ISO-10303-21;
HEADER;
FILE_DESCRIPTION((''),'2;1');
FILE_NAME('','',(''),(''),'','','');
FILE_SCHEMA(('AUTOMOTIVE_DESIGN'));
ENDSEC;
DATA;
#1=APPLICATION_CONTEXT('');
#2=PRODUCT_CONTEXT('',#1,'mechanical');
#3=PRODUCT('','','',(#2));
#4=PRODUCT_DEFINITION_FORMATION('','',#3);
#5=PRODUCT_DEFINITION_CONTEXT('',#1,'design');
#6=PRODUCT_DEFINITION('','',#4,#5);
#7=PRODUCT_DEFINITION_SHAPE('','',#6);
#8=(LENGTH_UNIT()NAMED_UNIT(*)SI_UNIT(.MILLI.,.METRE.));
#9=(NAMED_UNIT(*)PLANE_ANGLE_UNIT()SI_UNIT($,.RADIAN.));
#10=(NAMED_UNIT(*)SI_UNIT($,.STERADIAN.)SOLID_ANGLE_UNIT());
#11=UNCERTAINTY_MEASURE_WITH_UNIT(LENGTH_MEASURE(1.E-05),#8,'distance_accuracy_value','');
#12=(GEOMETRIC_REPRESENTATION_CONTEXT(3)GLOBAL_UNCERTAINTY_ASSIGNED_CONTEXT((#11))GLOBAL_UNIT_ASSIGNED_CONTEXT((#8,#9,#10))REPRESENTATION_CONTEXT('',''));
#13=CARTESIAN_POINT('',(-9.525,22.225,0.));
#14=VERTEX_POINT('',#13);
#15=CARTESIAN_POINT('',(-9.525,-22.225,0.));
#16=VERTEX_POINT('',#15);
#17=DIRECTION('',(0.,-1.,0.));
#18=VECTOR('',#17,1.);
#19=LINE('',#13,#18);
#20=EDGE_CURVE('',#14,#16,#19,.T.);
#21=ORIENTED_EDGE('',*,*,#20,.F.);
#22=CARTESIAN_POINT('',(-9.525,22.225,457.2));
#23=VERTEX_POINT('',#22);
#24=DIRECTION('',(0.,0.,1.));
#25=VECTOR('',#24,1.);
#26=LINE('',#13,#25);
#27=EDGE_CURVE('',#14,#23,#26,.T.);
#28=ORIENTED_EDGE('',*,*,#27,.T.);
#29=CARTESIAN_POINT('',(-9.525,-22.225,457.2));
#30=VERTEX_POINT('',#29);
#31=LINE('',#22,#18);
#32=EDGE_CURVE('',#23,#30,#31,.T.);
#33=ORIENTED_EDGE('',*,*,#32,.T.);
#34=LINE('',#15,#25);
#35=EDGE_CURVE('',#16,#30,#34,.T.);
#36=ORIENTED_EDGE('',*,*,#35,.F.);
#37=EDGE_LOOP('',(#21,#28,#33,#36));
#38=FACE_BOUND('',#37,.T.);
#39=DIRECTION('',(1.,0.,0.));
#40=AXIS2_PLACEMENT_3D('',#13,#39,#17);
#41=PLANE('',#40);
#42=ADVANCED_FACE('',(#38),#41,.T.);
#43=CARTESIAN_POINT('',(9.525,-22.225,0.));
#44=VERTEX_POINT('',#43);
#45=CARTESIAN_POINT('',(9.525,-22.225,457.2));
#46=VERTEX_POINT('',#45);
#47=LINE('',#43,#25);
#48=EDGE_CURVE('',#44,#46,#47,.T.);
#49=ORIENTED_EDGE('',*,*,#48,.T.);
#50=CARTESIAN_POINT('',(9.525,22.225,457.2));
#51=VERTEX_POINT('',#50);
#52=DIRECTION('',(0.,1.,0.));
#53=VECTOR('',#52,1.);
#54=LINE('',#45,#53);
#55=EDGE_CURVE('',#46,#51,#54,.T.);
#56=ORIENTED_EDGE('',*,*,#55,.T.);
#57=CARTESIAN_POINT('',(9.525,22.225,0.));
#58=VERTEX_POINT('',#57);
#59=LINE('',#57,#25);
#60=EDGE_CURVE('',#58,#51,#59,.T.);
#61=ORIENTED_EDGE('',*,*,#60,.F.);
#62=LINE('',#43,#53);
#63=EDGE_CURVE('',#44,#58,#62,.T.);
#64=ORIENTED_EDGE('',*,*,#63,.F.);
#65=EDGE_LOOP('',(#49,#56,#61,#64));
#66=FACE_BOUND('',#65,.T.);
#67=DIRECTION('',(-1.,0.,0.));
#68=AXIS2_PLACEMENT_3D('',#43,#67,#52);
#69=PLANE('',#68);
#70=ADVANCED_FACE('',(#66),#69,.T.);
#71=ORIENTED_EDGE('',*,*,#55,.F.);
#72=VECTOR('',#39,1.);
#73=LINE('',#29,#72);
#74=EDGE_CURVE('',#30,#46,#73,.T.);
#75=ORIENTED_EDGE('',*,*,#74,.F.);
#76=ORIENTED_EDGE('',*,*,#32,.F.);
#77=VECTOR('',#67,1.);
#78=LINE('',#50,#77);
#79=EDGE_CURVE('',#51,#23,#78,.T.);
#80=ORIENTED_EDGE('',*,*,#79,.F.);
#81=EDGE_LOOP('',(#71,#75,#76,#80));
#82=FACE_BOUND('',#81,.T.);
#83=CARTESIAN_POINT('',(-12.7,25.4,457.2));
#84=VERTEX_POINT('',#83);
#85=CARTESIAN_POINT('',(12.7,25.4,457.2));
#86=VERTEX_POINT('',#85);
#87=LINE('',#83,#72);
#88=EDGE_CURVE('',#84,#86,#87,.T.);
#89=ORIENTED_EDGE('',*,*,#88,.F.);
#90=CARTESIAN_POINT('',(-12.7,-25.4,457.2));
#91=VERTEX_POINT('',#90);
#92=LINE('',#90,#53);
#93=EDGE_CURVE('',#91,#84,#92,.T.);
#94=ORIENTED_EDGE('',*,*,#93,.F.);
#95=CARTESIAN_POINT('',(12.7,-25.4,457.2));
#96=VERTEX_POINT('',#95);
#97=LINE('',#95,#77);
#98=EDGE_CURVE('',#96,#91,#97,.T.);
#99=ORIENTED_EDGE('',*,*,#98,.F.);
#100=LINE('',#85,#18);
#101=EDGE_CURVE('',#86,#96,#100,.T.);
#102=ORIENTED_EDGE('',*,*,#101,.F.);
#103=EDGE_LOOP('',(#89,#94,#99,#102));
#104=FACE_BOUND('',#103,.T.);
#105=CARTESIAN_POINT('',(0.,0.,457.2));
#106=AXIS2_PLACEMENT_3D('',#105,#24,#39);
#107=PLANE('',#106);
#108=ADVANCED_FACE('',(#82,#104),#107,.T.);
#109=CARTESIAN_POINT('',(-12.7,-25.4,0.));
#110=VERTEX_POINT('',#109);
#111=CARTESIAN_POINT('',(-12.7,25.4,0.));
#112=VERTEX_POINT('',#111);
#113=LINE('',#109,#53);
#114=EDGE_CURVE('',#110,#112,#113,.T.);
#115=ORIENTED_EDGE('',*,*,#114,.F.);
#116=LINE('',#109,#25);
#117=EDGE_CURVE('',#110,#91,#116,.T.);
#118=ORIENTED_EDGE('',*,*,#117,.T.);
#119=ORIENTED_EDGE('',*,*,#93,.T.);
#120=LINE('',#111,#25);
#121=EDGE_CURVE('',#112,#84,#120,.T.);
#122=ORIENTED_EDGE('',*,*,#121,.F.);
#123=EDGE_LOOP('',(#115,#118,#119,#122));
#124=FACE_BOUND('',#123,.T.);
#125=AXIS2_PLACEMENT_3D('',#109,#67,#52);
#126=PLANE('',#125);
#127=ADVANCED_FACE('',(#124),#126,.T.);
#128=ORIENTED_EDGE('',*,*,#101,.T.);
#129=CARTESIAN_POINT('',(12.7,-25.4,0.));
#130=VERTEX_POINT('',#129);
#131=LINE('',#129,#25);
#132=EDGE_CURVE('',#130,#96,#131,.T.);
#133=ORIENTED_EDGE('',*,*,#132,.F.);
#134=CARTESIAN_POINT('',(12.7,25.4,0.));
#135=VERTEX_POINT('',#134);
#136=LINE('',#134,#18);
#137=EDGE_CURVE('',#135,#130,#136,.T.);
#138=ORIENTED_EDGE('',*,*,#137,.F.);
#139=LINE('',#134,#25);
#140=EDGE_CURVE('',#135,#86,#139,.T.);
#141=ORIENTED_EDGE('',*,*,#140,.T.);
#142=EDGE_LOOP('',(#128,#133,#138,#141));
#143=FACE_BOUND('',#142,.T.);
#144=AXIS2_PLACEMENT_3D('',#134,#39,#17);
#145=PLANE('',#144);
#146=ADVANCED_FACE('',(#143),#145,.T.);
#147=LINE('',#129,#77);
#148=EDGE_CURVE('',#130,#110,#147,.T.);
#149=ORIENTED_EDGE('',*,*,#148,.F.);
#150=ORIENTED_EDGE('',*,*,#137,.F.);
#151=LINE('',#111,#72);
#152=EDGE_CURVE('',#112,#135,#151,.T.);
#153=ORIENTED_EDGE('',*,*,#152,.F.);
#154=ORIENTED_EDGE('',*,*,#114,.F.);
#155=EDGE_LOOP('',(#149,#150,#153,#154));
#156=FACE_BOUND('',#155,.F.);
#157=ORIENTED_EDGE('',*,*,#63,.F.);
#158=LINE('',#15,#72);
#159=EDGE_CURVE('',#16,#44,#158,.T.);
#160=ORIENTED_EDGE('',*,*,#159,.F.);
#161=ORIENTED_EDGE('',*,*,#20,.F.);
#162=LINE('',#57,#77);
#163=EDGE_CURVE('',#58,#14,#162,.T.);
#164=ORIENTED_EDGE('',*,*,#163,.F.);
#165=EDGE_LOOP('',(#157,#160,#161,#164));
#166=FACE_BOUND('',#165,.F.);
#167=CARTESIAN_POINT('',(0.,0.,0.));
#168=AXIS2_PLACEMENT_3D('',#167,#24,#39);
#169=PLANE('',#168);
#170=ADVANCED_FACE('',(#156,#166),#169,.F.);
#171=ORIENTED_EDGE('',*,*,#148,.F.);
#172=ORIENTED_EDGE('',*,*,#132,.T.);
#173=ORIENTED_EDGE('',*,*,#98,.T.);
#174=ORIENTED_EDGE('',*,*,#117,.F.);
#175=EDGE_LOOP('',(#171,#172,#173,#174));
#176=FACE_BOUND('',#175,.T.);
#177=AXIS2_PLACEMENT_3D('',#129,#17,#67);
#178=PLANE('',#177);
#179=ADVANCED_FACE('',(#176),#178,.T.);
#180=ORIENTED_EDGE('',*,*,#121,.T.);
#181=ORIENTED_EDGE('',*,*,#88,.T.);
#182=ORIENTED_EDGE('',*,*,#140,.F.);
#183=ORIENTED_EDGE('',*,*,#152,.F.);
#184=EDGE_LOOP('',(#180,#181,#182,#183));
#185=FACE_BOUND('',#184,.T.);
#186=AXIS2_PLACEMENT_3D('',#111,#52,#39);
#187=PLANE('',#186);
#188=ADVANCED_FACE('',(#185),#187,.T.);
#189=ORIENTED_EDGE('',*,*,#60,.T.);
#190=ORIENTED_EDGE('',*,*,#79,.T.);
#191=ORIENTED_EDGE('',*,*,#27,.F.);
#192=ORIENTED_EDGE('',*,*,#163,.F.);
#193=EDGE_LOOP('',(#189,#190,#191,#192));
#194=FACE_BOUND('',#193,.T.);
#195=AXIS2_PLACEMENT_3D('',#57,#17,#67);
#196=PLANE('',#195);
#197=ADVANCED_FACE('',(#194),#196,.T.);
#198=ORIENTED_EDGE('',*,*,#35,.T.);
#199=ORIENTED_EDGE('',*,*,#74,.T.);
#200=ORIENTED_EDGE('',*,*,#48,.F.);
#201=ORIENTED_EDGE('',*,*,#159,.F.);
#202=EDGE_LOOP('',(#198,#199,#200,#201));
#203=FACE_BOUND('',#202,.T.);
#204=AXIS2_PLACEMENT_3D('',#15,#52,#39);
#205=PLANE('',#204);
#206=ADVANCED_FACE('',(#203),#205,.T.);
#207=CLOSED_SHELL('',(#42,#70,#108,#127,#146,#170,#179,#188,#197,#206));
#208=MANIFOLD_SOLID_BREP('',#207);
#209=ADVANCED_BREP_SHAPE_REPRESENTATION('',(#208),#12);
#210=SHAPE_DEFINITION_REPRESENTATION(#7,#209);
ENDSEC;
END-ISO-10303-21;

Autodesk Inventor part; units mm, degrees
ref_plane "YZ Plane" through (0, 0, 0) normal (1, 0, 0) x (0, 1, 0)
ref_plane "XZ Plane" through (0, 0, 0) normal (0, 1, 0) x (-1, 0, 0)
ref_plane "XY Plane" through (0, 0, 0) normal (0, 0, 1) x (1, 0, 0)
sketch "Sketch1" plane through (0, 0, 0) normal (0, 0, 1) x (1, 0, 0)
  line L0 (-12.7, 25.4) -> (12.7, 25.4)
  line L1 (12.7, 25.4) -> (12.7, -25.4)
  line L2 (12.7, -25.4) -> (-12.7, -25.4)
  line L3 (-12.7, -25.4) -> (-12.7, 25.4)
  line L4 (9.525, 22.225) -> (-9.525, 22.225)
  line L5 (-9.525, 22.225) -> (-9.525, -22.225)
  line L6 (-9.525, -22.225) -> (9.525, -22.225)
  line L7 (9.525, -22.225) -> (9.525, 22.225)
  point P0 (0, 0)
  point P1 (0, 0)
  point P2 (0, 25.4)
  point P3 (-12.7, 0)
extrude "Extrusion1" add sketch "Sketch1" along normal blind 457.2
properties part number "Aluminum Box Tube" material "Aluminum 6061"
